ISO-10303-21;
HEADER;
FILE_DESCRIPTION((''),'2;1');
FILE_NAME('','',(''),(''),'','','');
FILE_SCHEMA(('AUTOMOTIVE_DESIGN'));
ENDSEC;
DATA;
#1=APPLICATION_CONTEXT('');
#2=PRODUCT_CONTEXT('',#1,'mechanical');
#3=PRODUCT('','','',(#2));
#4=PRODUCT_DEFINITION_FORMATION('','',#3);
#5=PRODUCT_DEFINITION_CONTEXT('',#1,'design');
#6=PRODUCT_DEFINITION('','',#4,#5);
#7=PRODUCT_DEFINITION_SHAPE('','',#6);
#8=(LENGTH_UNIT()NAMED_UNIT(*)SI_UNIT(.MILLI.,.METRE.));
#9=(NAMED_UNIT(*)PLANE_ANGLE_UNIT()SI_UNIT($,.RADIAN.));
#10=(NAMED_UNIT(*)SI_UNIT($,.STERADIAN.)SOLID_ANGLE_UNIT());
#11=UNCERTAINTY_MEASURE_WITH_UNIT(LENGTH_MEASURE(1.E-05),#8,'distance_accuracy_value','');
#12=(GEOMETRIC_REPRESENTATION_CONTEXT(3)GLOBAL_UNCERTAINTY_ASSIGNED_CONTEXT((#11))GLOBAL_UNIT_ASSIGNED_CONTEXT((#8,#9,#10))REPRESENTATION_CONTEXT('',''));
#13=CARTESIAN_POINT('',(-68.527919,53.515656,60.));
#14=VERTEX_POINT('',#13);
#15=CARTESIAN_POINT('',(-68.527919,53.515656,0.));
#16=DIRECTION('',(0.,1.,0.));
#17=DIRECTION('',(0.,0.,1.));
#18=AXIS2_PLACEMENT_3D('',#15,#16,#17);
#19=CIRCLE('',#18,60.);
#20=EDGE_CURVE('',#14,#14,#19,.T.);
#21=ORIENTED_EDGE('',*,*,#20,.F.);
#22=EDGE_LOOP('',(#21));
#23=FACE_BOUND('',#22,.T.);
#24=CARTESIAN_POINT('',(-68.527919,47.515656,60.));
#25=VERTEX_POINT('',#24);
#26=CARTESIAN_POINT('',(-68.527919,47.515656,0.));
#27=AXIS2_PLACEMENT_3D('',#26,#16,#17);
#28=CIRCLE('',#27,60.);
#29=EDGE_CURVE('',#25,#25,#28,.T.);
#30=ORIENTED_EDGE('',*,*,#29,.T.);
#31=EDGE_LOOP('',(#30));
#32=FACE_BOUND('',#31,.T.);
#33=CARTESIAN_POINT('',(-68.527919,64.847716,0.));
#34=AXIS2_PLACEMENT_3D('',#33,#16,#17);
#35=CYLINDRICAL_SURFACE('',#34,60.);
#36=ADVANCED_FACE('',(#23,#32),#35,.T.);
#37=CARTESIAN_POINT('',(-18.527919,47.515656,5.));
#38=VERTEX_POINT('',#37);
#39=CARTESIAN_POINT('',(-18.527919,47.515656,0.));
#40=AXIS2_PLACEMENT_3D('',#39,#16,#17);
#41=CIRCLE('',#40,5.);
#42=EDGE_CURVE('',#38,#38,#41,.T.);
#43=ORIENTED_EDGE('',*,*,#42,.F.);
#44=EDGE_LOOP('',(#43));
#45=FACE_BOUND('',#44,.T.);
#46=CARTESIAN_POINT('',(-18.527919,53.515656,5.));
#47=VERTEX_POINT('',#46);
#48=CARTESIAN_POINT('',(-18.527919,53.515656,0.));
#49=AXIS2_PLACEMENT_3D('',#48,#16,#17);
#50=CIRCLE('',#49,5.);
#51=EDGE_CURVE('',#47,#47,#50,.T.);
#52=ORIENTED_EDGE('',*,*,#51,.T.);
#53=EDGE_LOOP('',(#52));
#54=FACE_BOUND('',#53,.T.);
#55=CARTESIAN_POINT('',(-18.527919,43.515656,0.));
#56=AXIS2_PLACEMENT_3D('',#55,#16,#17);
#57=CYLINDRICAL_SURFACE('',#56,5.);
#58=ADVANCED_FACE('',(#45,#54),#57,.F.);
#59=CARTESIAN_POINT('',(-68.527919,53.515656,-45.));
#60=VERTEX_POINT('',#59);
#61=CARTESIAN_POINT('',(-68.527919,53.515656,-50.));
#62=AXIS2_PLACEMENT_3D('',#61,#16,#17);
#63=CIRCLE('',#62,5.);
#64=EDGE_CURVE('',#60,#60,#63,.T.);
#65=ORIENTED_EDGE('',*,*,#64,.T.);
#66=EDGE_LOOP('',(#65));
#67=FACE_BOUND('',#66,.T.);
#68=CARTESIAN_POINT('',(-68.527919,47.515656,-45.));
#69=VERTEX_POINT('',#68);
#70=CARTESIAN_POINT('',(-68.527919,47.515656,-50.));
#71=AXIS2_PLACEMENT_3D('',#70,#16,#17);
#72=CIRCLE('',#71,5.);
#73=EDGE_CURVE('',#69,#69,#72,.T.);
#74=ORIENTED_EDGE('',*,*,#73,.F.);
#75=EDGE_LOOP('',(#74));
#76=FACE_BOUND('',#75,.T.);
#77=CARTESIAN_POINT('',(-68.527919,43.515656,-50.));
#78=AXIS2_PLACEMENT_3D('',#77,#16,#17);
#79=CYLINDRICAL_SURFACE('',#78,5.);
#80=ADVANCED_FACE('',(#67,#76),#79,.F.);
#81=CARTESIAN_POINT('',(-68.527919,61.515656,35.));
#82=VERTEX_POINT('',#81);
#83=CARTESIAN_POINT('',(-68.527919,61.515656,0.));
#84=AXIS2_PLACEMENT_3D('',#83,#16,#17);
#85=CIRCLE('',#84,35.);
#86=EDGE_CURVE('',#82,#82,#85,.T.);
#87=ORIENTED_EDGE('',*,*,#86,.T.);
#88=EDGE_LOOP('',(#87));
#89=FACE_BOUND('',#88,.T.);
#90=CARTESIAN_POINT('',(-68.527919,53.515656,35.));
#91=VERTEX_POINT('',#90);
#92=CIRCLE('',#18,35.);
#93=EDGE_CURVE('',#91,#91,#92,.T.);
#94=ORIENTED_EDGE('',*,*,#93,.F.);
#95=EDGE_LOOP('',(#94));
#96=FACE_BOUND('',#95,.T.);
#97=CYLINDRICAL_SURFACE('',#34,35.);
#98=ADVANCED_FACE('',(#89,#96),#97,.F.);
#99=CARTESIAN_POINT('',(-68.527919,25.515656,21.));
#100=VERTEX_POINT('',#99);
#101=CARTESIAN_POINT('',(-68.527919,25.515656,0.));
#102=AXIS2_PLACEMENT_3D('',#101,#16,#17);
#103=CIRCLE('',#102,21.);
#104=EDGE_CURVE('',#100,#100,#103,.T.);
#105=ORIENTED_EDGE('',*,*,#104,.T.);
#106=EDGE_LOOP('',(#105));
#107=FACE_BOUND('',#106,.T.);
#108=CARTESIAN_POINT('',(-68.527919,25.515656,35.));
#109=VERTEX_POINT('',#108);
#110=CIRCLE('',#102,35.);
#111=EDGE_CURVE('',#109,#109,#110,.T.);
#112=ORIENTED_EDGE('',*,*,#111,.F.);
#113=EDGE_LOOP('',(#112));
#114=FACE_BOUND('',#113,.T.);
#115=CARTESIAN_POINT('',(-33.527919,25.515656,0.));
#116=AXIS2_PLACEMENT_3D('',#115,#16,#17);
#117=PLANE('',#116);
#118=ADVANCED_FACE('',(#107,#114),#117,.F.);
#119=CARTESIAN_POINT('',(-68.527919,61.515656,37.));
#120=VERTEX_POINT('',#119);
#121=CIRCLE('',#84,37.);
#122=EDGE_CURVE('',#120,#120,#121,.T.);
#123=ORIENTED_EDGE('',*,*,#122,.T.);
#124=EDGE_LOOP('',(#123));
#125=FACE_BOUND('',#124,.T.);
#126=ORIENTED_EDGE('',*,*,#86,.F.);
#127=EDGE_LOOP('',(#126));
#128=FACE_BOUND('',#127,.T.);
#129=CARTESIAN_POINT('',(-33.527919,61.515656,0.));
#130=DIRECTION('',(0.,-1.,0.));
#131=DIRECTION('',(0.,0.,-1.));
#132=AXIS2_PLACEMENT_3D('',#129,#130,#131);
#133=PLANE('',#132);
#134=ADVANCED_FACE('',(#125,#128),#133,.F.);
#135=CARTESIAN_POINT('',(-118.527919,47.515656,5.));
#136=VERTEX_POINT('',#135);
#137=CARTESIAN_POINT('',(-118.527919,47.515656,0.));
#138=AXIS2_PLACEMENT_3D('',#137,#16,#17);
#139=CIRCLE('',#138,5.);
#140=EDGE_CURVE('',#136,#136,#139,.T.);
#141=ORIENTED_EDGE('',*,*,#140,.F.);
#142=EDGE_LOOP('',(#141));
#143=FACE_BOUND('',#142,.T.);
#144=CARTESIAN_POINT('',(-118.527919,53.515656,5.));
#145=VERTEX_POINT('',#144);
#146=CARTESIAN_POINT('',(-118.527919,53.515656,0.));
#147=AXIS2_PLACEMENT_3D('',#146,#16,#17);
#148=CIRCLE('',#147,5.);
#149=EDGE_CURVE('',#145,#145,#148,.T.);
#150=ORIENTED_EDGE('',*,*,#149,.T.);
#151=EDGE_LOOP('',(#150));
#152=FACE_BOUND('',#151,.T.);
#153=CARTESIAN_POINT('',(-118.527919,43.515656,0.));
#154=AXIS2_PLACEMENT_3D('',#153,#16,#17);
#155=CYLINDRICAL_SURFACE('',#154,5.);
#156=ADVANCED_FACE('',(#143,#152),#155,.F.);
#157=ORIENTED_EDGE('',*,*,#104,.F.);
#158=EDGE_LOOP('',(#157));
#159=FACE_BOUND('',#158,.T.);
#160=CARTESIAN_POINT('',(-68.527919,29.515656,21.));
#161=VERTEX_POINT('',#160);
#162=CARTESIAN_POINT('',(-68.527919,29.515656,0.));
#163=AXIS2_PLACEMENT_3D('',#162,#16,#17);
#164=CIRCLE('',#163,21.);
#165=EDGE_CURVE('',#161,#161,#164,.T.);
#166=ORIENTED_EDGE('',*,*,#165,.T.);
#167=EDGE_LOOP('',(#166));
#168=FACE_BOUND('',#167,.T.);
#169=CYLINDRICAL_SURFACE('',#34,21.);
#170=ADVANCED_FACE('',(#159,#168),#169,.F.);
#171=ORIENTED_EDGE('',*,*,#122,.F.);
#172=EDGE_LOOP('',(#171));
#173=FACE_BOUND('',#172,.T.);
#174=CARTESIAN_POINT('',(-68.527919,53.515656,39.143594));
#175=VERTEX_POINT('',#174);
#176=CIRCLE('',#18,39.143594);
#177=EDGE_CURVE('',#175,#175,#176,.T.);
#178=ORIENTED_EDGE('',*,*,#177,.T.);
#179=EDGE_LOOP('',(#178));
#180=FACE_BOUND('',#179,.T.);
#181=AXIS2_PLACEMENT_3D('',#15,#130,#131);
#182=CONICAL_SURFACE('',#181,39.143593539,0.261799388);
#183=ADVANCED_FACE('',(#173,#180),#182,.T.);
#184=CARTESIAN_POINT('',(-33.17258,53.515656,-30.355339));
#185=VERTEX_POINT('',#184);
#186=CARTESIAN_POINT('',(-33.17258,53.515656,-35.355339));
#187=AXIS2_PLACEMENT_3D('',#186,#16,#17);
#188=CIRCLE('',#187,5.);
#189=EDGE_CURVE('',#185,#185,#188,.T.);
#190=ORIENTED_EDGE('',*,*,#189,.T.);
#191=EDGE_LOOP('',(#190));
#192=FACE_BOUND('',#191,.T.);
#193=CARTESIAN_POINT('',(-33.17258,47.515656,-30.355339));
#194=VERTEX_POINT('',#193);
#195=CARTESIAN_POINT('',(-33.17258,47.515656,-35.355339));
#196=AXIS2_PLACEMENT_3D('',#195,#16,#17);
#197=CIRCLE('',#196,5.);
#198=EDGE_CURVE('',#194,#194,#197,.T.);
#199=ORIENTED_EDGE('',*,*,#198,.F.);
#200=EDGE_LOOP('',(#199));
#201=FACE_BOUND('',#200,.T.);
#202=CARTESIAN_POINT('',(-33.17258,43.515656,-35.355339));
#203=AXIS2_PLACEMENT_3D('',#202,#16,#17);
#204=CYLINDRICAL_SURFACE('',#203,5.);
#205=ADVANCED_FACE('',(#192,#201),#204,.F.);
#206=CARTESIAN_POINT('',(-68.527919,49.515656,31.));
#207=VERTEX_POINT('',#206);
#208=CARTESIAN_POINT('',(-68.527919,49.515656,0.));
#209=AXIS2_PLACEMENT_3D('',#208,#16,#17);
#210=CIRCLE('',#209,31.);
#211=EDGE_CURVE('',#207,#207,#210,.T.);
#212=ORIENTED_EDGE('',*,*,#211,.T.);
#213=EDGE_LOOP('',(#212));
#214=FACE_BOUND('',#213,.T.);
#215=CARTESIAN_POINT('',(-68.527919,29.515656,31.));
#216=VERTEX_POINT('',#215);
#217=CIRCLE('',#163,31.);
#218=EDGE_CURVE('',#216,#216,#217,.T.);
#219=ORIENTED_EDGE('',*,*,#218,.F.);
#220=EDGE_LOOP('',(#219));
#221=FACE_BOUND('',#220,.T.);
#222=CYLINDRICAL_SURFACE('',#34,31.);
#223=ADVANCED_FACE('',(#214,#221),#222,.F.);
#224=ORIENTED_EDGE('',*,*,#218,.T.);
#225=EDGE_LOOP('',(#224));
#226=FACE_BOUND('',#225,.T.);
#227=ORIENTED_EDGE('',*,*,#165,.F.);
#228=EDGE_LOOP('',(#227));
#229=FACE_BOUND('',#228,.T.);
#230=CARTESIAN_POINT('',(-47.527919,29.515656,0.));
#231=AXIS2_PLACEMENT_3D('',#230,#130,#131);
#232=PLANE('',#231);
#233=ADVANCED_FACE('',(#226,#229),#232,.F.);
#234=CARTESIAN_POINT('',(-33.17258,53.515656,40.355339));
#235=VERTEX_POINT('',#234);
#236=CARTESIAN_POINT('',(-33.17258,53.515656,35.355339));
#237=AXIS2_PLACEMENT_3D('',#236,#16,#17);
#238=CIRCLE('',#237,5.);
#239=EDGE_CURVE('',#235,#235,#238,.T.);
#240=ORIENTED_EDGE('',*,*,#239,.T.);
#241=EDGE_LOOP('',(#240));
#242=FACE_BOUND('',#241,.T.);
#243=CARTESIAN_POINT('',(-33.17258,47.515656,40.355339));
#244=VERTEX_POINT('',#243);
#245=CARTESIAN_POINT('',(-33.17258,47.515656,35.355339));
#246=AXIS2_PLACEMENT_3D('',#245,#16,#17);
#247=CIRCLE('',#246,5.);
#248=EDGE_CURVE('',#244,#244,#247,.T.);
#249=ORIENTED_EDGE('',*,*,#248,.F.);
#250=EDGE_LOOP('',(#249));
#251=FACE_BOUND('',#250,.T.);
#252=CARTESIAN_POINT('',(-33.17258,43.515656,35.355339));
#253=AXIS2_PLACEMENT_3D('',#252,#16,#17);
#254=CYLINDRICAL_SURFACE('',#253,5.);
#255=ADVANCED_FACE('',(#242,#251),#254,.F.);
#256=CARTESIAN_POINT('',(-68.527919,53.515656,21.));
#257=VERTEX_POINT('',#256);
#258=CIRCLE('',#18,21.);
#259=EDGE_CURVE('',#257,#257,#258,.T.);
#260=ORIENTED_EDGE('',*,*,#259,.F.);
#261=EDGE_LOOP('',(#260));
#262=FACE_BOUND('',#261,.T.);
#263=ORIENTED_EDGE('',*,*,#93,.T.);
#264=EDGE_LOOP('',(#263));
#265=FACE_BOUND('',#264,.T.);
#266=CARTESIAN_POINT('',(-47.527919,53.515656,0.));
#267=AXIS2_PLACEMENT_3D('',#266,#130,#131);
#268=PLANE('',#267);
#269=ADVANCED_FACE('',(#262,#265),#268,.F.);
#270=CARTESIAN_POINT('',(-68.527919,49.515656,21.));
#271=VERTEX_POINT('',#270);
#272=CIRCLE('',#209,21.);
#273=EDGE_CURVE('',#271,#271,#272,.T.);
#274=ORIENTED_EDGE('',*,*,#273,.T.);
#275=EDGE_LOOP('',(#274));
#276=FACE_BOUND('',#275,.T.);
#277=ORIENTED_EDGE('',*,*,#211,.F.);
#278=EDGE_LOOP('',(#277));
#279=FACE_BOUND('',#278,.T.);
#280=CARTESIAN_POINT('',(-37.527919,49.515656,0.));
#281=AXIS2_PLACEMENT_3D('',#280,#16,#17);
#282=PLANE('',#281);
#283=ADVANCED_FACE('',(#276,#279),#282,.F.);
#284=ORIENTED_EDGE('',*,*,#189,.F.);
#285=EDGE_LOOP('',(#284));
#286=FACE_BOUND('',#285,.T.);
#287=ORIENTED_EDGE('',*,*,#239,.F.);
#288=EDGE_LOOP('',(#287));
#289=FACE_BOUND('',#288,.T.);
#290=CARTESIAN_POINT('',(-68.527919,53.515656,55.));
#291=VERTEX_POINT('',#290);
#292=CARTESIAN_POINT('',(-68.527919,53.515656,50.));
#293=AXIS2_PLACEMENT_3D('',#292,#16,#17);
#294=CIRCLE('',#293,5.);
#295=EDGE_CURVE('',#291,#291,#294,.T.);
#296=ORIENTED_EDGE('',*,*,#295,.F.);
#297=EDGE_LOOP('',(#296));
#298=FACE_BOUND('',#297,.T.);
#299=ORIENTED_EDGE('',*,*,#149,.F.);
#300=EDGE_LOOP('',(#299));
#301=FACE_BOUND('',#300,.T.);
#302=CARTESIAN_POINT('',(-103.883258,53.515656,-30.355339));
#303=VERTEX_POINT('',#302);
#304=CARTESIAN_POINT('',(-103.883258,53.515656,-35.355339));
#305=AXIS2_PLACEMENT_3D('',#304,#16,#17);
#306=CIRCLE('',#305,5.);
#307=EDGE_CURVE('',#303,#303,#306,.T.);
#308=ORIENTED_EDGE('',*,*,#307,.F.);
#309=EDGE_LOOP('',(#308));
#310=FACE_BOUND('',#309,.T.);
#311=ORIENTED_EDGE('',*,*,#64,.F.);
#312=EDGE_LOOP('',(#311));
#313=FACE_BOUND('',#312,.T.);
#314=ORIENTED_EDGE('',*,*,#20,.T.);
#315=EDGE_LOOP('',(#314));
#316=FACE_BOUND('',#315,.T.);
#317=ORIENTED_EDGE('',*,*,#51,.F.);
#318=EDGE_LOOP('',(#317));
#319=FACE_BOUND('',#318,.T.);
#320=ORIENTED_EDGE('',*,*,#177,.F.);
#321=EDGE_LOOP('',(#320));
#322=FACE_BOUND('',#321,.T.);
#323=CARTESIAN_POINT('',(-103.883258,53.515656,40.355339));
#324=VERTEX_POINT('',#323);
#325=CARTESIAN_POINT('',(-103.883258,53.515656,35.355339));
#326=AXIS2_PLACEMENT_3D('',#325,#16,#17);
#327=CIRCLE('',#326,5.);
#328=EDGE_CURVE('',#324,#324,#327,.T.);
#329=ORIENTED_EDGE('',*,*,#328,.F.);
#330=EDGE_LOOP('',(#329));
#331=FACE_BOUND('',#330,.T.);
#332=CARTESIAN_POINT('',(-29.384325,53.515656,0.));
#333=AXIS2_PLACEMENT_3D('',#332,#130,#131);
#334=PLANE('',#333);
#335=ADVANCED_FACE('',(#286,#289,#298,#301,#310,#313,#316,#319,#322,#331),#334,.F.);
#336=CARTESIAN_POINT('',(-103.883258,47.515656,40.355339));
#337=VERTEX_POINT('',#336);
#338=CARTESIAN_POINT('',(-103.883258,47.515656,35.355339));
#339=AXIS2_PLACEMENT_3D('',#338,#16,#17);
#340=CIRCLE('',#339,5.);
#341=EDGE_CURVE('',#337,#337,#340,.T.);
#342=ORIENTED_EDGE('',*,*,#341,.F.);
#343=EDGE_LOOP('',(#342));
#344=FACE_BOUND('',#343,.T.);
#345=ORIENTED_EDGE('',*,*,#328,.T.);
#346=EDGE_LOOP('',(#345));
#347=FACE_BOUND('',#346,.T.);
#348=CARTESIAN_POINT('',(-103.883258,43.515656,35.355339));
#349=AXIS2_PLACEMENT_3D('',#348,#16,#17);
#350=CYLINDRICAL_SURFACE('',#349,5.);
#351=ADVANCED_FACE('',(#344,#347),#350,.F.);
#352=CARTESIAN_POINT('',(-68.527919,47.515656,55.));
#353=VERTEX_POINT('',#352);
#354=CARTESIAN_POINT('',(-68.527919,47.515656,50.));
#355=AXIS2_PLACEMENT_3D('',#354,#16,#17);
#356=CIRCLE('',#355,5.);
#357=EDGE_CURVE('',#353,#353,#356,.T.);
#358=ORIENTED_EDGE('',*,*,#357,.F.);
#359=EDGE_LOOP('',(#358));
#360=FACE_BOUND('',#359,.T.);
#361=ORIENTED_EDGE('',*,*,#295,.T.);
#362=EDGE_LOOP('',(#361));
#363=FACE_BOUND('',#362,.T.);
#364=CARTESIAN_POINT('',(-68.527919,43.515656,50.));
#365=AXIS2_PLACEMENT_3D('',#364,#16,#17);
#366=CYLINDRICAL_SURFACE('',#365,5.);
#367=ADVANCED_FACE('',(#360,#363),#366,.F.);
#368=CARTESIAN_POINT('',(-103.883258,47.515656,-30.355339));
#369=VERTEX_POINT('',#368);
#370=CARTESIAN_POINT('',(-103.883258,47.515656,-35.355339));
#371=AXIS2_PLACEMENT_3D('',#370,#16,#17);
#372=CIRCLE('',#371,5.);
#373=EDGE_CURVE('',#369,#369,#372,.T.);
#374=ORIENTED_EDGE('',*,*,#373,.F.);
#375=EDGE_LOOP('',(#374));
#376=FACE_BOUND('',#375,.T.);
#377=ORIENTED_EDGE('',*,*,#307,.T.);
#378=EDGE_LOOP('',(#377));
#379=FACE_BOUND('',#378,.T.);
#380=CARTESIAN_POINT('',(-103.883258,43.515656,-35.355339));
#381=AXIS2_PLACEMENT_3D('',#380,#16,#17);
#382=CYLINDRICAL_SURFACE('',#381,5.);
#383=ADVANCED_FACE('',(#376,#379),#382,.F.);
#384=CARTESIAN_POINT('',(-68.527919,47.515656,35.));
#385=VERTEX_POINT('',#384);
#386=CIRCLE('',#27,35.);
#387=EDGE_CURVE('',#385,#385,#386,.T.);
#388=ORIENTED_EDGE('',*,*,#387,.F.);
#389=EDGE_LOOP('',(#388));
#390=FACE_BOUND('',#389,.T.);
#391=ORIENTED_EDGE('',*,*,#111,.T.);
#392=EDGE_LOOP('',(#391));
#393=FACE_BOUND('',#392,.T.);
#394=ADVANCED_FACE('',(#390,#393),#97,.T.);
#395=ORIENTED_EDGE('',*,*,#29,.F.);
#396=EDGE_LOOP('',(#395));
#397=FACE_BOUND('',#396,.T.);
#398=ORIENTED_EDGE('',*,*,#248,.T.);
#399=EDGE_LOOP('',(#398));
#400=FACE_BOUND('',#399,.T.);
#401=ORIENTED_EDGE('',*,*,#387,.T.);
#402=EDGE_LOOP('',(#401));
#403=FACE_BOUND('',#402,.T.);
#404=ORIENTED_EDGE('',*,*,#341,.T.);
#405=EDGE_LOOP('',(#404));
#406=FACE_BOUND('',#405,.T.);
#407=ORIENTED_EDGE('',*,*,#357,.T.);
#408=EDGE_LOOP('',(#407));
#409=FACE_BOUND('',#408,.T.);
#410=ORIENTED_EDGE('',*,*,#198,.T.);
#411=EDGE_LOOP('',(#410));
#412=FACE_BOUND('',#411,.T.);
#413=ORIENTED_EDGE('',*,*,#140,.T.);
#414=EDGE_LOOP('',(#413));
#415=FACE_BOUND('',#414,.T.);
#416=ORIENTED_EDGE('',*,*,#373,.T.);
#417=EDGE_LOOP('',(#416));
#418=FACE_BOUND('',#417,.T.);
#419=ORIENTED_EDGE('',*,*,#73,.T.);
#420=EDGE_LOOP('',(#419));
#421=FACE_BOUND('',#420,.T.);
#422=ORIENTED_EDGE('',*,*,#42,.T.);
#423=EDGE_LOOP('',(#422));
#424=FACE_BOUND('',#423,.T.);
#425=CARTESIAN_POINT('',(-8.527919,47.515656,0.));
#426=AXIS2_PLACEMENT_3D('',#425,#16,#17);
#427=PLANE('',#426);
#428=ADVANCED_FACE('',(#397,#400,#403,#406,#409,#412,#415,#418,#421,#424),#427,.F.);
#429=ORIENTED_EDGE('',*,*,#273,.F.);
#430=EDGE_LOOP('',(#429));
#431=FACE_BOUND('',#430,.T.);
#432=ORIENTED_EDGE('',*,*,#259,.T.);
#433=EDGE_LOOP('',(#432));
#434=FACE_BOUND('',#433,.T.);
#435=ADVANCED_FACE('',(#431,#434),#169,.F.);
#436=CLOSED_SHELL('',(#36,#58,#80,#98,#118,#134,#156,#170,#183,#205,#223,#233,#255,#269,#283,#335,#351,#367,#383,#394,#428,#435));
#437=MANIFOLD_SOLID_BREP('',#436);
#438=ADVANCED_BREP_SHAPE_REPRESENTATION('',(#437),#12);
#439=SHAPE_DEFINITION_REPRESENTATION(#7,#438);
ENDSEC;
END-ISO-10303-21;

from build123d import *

# Parameters (mm, degrees)
SKETCH3_R          = 5
CUT_EXTRUDE1_DEPTH = 10


with BuildPart() as part:
    # Sketch2 → Revolve1 (revolve)
    with BuildSketch(Plane.XY, mode=Mode.PRIVATE) as revolve1_sk:
        Polygon((-47.527918782, 29.515656182), (-37.527918782, 29.515656182), (-37.527918782, 49.515656182), (-47.527918782, 49.515656182), (-47.527918782, 53.515656182), (-33.527918782, 53.515656182), (-33.527918782, 61.515656182), (-31.527918782, 61.515656182), (-29.384325242, 53.515656182), (-8.527918782, 53.515656182), (-8.527918782, 47.515656182), (-33.527918782, 47.515656182), (-33.527918782, 27.427572824), (-33.527918782, 25.515656182), (-47.527918782, 25.515656182), align=None)
    revolve(revolve1_sk.sketch.rotate(Axis((-68.527918782, 64.847715736, 0), (0, -1, 0)), 90), axis=Axis((-68.527918782, 64.847715736, 0), (0, -1, 0)))

    # Sketch3 → Cut-Extrude1 (cut)
    with BuildSketch(Plane(origin=(0, 53.515656182, 0), x_dir=(1, 0, 0), z_dir=(0, 1, 0))):
        with Locations(Location((-118.527918782, 0, 0), (0, 0, 270))):
            Circle(SKETCH3_R)
        with Locations(Location((-103.883257841, 35.355339059, 0), (0, 0, 270))):
            Circle(SKETCH3_R)
        with Locations(Location((-68.527918782, 50, 0), (0, 0, 270))):
            Circle(SKETCH3_R)
        with Locations(Location((-33.172579722, 35.355339059, 0), (0, 0, 270))):
            Circle(SKETCH3_R)
        with Locations(Location((-18.527918782, 0, 0), (0, 0, 270))):
            Circle(SKETCH3_R)
        with Locations(Location((-33.172579722, -35.355339059, 0), (0, 0, 270))):
            Circle(SKETCH3_R)
        with Locations(Location((-68.527918782, -50, 0), (0, 0, 270))):
            Circle(SKETCH3_R)
        with Locations(Location((-103.883257841, -35.355339059, 0), (0, 0, 270))):
            Circle(SKETCH3_R)
    extrude(amount=-CUT_EXTRUDE1_DEPTH, mode=Mode.SUBTRACT)


solid = part.part
